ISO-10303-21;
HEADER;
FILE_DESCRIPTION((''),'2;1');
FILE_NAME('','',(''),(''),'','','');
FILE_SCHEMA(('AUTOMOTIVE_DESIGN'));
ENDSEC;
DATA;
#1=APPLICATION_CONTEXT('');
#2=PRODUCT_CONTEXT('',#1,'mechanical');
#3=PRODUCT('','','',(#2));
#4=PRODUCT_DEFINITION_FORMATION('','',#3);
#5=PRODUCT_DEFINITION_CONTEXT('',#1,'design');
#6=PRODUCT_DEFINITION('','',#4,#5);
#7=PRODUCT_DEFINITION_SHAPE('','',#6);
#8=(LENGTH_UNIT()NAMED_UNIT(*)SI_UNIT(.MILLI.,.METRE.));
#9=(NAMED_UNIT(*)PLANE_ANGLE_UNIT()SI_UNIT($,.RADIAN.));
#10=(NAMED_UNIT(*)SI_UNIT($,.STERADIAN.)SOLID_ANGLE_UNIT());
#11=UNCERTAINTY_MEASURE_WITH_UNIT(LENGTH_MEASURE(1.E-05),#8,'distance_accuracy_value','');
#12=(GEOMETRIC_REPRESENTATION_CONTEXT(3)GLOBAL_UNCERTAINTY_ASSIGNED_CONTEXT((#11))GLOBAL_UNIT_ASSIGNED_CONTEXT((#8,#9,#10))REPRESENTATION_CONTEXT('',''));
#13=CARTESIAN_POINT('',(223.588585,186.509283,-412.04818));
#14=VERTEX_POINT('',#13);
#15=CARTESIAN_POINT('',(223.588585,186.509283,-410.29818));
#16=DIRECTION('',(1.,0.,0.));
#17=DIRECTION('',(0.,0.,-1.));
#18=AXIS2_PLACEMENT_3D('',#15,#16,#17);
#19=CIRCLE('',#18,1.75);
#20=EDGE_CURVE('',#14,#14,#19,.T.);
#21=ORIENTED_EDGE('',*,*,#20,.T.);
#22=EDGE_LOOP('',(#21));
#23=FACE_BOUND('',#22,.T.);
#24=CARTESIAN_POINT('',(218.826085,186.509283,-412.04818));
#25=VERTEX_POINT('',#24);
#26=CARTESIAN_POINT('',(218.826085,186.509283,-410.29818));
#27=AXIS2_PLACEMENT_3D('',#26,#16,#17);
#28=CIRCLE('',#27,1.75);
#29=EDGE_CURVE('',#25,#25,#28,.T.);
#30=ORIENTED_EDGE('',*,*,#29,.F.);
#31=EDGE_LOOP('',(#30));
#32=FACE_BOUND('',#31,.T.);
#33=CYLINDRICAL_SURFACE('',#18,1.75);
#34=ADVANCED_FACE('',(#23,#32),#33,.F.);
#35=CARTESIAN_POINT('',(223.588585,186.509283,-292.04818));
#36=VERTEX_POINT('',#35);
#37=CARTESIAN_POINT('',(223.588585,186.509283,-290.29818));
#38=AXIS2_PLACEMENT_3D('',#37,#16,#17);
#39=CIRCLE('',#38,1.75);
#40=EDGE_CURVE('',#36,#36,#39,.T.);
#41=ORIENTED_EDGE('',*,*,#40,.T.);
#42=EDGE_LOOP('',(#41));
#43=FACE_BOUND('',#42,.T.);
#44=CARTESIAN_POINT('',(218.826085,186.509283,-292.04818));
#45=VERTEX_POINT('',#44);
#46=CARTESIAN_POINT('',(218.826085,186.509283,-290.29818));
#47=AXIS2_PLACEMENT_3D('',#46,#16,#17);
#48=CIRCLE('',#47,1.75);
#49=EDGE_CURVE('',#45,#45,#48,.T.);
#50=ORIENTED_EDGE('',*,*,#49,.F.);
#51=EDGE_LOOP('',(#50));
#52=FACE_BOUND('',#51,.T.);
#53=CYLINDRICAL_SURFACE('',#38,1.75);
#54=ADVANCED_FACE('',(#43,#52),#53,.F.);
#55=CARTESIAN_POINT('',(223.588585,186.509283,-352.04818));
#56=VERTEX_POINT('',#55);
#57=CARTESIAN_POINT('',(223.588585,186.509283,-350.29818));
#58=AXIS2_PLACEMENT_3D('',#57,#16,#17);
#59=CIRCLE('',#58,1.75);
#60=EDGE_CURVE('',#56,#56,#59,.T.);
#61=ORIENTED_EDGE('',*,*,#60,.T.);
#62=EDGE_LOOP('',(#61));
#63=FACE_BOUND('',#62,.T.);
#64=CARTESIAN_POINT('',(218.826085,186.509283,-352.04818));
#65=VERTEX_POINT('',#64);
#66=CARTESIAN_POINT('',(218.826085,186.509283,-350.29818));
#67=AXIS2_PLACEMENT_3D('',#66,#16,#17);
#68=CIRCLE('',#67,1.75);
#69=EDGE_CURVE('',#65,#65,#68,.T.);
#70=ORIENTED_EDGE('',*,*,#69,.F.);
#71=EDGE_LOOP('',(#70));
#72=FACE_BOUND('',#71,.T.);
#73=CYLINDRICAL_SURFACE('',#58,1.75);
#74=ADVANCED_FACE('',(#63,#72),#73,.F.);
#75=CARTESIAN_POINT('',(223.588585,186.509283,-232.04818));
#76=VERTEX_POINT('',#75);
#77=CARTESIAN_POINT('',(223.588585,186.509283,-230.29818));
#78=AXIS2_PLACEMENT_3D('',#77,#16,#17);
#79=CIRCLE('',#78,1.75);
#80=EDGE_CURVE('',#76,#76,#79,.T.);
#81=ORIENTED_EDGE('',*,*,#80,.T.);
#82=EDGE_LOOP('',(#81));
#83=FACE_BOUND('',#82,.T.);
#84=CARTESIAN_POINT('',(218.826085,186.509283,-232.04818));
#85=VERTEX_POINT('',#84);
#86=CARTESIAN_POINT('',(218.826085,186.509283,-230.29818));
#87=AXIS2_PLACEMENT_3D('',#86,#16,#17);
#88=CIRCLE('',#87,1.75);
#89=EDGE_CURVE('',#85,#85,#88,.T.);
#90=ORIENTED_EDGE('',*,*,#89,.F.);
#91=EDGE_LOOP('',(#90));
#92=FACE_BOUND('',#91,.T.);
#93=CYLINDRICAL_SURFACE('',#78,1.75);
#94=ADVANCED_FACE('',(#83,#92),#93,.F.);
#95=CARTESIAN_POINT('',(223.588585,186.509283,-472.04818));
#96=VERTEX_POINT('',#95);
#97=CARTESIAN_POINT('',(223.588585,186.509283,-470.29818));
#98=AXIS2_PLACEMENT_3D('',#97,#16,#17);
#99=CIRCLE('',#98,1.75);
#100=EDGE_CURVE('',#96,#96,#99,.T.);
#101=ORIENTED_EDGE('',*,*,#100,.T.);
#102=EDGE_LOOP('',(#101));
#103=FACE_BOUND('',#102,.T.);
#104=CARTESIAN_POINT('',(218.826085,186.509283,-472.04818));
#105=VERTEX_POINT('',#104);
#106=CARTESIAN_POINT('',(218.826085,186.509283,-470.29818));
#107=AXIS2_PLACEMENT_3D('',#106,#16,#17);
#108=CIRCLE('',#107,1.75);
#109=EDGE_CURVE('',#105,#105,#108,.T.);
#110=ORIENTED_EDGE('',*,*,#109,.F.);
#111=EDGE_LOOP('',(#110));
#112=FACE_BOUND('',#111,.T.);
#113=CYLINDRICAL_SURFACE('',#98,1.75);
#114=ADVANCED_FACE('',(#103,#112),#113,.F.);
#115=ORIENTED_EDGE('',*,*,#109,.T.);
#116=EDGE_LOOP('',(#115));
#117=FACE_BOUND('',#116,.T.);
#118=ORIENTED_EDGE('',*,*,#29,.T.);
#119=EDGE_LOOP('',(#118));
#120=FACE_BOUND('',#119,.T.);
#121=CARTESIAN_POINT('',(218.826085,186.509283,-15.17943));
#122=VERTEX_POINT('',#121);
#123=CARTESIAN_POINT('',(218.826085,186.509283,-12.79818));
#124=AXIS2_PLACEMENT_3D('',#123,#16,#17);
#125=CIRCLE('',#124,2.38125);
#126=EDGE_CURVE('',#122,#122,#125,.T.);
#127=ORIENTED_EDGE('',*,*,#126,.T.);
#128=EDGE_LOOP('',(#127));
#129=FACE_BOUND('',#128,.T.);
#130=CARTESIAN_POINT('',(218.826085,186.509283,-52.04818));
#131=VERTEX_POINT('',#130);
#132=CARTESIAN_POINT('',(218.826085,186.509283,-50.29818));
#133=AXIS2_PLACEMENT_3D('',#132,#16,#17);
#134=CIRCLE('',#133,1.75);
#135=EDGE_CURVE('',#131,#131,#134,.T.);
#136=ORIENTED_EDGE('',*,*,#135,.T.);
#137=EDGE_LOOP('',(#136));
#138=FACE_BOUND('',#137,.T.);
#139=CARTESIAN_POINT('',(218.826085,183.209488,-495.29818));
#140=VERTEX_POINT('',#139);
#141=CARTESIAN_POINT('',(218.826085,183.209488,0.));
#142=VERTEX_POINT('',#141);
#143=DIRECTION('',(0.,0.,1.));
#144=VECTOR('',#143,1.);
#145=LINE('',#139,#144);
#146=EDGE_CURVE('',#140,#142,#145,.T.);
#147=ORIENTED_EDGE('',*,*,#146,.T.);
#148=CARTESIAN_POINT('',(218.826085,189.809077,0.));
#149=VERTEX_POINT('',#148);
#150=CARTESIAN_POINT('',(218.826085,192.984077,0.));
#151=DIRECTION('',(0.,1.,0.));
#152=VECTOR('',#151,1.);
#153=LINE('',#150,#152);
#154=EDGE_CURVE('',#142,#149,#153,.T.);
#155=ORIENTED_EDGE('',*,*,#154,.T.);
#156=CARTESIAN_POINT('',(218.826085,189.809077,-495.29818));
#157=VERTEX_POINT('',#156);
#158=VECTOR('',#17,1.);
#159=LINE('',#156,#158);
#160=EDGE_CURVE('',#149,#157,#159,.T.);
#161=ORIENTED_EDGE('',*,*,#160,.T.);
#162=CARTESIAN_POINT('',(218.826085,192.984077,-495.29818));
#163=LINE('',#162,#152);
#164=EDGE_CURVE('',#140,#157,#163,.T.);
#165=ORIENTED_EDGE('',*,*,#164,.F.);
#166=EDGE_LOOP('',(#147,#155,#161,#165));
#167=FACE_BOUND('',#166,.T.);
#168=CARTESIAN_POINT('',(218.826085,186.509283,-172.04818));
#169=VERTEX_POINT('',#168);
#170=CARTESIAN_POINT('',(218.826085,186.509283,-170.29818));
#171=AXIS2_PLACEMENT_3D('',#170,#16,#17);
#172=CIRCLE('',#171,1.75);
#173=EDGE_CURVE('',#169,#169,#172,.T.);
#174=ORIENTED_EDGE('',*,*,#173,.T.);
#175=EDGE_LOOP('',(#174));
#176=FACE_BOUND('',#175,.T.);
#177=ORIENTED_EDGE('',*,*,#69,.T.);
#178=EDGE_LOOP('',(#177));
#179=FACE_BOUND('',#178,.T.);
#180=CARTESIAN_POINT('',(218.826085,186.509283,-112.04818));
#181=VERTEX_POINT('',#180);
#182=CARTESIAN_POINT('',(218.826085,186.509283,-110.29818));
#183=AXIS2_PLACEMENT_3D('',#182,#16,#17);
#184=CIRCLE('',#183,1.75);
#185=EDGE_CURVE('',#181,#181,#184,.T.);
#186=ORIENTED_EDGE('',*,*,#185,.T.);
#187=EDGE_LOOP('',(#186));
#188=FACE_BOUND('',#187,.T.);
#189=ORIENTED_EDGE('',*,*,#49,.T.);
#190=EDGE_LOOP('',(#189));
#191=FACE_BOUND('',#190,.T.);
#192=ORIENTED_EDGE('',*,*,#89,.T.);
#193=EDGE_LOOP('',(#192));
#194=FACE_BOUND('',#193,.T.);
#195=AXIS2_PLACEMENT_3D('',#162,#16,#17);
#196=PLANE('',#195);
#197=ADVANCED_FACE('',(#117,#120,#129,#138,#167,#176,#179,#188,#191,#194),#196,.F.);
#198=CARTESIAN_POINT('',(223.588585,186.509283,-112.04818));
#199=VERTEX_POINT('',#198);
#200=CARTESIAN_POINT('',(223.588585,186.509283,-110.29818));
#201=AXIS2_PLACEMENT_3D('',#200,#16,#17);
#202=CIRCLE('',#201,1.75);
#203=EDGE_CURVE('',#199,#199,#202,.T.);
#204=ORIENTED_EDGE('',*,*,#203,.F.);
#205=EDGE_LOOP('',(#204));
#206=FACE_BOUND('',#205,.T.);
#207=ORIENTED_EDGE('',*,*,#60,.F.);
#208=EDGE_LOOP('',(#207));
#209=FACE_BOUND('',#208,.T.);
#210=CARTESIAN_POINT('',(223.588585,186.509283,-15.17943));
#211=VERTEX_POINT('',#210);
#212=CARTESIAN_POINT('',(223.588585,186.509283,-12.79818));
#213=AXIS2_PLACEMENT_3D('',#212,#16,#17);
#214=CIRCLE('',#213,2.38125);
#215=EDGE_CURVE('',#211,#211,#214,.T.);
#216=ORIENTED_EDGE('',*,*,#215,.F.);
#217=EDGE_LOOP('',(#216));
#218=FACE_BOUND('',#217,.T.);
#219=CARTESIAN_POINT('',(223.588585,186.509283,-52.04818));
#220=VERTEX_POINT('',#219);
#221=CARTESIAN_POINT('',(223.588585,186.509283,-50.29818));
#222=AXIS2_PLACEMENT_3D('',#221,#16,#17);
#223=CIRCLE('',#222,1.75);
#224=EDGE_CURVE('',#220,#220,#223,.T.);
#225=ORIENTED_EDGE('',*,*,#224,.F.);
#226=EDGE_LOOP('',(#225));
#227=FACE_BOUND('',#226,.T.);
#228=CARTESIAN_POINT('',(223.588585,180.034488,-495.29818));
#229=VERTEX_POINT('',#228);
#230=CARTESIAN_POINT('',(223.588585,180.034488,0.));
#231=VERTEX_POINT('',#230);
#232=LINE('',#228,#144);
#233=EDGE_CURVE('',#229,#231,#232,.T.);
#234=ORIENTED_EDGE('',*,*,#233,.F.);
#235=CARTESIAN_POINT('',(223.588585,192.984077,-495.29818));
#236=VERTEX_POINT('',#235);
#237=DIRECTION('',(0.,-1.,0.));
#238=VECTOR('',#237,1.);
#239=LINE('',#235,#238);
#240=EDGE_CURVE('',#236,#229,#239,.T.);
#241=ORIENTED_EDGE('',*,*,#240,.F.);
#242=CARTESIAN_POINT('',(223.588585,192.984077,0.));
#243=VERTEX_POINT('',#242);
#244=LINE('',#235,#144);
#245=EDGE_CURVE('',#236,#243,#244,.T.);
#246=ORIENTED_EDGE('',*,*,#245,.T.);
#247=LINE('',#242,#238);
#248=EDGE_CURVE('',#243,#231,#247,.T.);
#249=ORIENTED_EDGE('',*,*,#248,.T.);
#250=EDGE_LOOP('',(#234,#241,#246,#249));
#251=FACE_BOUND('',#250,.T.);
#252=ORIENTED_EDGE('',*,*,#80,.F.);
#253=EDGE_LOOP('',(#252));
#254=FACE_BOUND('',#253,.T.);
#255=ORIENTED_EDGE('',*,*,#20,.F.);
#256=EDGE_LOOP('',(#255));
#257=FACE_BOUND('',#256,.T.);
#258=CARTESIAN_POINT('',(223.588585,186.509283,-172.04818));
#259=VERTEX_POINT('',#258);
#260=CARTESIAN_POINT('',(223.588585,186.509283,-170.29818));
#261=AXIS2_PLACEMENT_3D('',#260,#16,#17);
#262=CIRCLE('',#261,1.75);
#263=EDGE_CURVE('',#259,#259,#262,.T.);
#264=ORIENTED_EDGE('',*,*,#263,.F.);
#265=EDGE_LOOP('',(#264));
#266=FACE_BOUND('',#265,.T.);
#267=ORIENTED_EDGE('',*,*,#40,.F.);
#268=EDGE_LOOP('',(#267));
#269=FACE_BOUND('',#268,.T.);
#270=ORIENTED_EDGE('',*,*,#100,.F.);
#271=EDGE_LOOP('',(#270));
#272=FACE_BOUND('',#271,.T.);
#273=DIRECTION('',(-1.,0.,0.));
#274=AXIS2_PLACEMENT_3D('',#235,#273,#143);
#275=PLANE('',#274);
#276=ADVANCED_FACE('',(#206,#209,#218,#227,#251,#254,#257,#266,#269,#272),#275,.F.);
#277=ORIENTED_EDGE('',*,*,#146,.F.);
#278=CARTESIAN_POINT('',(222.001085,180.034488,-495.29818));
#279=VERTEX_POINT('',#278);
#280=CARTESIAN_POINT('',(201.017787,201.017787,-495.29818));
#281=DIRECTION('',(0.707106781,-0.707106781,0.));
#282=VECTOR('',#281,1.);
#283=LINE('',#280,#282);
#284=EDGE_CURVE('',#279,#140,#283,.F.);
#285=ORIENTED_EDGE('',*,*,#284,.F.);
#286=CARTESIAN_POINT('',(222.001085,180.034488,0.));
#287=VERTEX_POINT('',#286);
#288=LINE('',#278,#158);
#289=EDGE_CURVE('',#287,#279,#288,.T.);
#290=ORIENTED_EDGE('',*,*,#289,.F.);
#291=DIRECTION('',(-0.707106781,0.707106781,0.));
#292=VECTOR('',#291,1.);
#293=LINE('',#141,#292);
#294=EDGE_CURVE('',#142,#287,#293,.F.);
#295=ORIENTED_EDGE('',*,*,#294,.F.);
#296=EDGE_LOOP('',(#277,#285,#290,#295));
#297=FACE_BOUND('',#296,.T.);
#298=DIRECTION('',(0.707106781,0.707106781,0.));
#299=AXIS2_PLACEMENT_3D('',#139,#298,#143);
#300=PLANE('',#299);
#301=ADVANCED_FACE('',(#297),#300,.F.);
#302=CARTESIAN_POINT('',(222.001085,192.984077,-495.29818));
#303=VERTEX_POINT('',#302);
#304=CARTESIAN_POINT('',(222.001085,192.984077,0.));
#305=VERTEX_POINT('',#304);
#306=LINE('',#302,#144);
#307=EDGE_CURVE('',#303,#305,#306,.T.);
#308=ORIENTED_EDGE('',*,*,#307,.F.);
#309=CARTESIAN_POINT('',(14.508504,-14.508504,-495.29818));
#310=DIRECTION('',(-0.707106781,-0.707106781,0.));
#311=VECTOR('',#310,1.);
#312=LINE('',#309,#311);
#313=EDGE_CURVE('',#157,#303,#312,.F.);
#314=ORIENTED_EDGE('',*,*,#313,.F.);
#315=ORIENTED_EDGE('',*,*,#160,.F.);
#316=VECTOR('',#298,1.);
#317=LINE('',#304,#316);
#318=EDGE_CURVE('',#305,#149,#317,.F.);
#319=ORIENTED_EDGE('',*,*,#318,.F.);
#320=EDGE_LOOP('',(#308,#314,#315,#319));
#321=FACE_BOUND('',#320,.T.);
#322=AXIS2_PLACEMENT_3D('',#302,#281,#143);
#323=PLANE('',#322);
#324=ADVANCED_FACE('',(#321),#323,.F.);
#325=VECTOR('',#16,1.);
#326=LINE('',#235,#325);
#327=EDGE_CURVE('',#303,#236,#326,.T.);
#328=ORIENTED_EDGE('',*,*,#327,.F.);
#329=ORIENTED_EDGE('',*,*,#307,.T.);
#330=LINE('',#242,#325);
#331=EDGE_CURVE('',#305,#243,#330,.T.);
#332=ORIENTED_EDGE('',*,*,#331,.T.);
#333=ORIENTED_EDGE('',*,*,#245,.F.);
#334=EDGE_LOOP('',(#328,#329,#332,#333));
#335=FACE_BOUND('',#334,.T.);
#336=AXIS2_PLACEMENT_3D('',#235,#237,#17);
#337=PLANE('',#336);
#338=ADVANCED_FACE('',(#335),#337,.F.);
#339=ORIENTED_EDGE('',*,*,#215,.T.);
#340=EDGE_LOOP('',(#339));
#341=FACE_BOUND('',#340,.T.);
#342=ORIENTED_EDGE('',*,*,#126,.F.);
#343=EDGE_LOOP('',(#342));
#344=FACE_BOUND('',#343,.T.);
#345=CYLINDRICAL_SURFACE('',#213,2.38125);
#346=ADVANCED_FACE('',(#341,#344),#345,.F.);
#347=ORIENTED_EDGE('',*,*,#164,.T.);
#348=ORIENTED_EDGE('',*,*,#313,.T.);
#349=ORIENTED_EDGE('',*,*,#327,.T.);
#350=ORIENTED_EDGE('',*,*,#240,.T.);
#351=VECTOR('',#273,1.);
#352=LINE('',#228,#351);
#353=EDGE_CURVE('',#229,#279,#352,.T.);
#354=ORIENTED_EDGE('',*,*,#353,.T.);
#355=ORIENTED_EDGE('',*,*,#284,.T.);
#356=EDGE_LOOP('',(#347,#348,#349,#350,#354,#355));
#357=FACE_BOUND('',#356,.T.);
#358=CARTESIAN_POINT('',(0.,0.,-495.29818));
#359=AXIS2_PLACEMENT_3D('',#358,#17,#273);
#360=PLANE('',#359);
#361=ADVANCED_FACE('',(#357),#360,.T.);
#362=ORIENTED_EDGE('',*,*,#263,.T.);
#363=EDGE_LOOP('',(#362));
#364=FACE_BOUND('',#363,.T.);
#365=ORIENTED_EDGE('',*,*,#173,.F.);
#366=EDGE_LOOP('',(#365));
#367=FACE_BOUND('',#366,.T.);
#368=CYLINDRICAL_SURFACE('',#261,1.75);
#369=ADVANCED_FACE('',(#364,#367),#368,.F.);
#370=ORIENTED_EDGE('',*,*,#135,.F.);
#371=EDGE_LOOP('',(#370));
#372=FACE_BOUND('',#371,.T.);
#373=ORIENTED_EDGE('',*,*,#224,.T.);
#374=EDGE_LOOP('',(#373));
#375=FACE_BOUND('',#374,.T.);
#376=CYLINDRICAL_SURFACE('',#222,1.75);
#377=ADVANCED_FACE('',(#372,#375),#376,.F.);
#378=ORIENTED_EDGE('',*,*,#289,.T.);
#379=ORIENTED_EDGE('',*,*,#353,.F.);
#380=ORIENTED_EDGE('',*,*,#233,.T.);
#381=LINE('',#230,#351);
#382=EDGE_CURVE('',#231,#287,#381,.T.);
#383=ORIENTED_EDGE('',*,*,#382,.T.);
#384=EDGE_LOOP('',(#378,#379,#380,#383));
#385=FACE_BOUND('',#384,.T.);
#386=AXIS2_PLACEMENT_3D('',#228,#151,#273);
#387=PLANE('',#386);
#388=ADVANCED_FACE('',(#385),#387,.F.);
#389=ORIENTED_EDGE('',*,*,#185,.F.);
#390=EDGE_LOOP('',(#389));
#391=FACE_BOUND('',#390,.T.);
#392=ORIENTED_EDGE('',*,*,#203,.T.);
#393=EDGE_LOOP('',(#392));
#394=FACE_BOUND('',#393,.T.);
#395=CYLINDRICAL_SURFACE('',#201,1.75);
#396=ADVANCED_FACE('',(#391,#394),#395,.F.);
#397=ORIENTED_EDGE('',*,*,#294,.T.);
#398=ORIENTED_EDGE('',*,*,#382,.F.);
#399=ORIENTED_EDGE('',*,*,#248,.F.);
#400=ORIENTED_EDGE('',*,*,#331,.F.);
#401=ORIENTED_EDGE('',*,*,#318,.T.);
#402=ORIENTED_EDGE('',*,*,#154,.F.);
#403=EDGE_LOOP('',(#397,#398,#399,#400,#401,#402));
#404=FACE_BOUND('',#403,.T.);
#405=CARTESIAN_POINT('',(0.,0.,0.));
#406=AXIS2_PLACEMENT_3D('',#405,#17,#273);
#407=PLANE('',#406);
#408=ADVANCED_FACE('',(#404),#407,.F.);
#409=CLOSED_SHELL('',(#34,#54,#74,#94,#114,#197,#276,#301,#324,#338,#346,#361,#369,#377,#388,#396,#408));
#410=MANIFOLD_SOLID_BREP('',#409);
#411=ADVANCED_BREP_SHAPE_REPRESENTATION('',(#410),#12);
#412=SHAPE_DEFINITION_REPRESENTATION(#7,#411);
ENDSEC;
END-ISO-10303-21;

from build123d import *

# Parameters (mm, degrees)
SKETCH1_W                         = 4.7625
SKETCH1_H                         = 12.949588911
BOSS_EXTRUDE1_DEPTH               = 495.29818
F_1_4_0_1875_DIAMETER_HOLE1_D     = 4.7625
F_1_4_0_1875_DIAMETER_HOLE1_DEPTH = 4.7625
CHAMFER1_SIZE                     = 3.175
F_3_0MM_DOWEL_HOLE1_D             = 3.5
F_3_0MM_DOWEL_HOLE1_DEPTH         = 4.7625


with BuildPart() as part:
    # Sketch1 → Boss-Extrude1 (new body)
    with BuildSketch(Plane(origin=(0, 0, 0), x_dir=(-1, 0, 0), z_dir=(0, 0, -1))):
        with Locations((-221.207335178, 186.509282679)):
            Rectangle(SKETCH1_W, SKETCH1_H)
    extrude(amount=BOSS_EXTRUDE1_DEPTH)

    # 1/4 (0.1875) Diameter Hole1
    with Locations(Plane(origin=(223.588585178, 0, 0), x_dir=(0, 0, -1), z_dir=(1, 0, 0))):
        with Locations((12.798180471, 186.509282679)):
            Hole(F_1_4_0_1875_DIAMETER_HOLE1_D / 2, depth=F_1_4_0_1875_DIAMETER_HOLE1_DEPTH)

    # Chamfer1
    chamfer1_edges = [part.edges().sort_by_distance(p)[0] for p in [
        (218.826085178, 180.034488223, -247.64909),
        (218.826085178, 192.984077134, -247.64909),
    ]]
    chamfer(chamfer1_edges, length=CHAMFER1_SIZE)

    # Ø3.0mm Dowel Hole1
    with Locations(Plane(origin=(223.588585178, 0, 0), x_dir=(0, 0, -1), z_dir=(1, 0, 0))):
        with Locations((470.298180445, 186.509282678), (410.298180445, 186.509282678), (350.298180445, 186.509282678), (290.298180445, 186.509282678), (170.298180445, 186.509282678), (110.298180445, 186.509282678), (50.298180445, 186.509282678), (230.298180445, 186.509282678)):
            Hole(F_3_0MM_DOWEL_HOLE1_D / 2, depth=F_3_0MM_DOWEL_HOLE1_DEPTH)


solid = part.part
